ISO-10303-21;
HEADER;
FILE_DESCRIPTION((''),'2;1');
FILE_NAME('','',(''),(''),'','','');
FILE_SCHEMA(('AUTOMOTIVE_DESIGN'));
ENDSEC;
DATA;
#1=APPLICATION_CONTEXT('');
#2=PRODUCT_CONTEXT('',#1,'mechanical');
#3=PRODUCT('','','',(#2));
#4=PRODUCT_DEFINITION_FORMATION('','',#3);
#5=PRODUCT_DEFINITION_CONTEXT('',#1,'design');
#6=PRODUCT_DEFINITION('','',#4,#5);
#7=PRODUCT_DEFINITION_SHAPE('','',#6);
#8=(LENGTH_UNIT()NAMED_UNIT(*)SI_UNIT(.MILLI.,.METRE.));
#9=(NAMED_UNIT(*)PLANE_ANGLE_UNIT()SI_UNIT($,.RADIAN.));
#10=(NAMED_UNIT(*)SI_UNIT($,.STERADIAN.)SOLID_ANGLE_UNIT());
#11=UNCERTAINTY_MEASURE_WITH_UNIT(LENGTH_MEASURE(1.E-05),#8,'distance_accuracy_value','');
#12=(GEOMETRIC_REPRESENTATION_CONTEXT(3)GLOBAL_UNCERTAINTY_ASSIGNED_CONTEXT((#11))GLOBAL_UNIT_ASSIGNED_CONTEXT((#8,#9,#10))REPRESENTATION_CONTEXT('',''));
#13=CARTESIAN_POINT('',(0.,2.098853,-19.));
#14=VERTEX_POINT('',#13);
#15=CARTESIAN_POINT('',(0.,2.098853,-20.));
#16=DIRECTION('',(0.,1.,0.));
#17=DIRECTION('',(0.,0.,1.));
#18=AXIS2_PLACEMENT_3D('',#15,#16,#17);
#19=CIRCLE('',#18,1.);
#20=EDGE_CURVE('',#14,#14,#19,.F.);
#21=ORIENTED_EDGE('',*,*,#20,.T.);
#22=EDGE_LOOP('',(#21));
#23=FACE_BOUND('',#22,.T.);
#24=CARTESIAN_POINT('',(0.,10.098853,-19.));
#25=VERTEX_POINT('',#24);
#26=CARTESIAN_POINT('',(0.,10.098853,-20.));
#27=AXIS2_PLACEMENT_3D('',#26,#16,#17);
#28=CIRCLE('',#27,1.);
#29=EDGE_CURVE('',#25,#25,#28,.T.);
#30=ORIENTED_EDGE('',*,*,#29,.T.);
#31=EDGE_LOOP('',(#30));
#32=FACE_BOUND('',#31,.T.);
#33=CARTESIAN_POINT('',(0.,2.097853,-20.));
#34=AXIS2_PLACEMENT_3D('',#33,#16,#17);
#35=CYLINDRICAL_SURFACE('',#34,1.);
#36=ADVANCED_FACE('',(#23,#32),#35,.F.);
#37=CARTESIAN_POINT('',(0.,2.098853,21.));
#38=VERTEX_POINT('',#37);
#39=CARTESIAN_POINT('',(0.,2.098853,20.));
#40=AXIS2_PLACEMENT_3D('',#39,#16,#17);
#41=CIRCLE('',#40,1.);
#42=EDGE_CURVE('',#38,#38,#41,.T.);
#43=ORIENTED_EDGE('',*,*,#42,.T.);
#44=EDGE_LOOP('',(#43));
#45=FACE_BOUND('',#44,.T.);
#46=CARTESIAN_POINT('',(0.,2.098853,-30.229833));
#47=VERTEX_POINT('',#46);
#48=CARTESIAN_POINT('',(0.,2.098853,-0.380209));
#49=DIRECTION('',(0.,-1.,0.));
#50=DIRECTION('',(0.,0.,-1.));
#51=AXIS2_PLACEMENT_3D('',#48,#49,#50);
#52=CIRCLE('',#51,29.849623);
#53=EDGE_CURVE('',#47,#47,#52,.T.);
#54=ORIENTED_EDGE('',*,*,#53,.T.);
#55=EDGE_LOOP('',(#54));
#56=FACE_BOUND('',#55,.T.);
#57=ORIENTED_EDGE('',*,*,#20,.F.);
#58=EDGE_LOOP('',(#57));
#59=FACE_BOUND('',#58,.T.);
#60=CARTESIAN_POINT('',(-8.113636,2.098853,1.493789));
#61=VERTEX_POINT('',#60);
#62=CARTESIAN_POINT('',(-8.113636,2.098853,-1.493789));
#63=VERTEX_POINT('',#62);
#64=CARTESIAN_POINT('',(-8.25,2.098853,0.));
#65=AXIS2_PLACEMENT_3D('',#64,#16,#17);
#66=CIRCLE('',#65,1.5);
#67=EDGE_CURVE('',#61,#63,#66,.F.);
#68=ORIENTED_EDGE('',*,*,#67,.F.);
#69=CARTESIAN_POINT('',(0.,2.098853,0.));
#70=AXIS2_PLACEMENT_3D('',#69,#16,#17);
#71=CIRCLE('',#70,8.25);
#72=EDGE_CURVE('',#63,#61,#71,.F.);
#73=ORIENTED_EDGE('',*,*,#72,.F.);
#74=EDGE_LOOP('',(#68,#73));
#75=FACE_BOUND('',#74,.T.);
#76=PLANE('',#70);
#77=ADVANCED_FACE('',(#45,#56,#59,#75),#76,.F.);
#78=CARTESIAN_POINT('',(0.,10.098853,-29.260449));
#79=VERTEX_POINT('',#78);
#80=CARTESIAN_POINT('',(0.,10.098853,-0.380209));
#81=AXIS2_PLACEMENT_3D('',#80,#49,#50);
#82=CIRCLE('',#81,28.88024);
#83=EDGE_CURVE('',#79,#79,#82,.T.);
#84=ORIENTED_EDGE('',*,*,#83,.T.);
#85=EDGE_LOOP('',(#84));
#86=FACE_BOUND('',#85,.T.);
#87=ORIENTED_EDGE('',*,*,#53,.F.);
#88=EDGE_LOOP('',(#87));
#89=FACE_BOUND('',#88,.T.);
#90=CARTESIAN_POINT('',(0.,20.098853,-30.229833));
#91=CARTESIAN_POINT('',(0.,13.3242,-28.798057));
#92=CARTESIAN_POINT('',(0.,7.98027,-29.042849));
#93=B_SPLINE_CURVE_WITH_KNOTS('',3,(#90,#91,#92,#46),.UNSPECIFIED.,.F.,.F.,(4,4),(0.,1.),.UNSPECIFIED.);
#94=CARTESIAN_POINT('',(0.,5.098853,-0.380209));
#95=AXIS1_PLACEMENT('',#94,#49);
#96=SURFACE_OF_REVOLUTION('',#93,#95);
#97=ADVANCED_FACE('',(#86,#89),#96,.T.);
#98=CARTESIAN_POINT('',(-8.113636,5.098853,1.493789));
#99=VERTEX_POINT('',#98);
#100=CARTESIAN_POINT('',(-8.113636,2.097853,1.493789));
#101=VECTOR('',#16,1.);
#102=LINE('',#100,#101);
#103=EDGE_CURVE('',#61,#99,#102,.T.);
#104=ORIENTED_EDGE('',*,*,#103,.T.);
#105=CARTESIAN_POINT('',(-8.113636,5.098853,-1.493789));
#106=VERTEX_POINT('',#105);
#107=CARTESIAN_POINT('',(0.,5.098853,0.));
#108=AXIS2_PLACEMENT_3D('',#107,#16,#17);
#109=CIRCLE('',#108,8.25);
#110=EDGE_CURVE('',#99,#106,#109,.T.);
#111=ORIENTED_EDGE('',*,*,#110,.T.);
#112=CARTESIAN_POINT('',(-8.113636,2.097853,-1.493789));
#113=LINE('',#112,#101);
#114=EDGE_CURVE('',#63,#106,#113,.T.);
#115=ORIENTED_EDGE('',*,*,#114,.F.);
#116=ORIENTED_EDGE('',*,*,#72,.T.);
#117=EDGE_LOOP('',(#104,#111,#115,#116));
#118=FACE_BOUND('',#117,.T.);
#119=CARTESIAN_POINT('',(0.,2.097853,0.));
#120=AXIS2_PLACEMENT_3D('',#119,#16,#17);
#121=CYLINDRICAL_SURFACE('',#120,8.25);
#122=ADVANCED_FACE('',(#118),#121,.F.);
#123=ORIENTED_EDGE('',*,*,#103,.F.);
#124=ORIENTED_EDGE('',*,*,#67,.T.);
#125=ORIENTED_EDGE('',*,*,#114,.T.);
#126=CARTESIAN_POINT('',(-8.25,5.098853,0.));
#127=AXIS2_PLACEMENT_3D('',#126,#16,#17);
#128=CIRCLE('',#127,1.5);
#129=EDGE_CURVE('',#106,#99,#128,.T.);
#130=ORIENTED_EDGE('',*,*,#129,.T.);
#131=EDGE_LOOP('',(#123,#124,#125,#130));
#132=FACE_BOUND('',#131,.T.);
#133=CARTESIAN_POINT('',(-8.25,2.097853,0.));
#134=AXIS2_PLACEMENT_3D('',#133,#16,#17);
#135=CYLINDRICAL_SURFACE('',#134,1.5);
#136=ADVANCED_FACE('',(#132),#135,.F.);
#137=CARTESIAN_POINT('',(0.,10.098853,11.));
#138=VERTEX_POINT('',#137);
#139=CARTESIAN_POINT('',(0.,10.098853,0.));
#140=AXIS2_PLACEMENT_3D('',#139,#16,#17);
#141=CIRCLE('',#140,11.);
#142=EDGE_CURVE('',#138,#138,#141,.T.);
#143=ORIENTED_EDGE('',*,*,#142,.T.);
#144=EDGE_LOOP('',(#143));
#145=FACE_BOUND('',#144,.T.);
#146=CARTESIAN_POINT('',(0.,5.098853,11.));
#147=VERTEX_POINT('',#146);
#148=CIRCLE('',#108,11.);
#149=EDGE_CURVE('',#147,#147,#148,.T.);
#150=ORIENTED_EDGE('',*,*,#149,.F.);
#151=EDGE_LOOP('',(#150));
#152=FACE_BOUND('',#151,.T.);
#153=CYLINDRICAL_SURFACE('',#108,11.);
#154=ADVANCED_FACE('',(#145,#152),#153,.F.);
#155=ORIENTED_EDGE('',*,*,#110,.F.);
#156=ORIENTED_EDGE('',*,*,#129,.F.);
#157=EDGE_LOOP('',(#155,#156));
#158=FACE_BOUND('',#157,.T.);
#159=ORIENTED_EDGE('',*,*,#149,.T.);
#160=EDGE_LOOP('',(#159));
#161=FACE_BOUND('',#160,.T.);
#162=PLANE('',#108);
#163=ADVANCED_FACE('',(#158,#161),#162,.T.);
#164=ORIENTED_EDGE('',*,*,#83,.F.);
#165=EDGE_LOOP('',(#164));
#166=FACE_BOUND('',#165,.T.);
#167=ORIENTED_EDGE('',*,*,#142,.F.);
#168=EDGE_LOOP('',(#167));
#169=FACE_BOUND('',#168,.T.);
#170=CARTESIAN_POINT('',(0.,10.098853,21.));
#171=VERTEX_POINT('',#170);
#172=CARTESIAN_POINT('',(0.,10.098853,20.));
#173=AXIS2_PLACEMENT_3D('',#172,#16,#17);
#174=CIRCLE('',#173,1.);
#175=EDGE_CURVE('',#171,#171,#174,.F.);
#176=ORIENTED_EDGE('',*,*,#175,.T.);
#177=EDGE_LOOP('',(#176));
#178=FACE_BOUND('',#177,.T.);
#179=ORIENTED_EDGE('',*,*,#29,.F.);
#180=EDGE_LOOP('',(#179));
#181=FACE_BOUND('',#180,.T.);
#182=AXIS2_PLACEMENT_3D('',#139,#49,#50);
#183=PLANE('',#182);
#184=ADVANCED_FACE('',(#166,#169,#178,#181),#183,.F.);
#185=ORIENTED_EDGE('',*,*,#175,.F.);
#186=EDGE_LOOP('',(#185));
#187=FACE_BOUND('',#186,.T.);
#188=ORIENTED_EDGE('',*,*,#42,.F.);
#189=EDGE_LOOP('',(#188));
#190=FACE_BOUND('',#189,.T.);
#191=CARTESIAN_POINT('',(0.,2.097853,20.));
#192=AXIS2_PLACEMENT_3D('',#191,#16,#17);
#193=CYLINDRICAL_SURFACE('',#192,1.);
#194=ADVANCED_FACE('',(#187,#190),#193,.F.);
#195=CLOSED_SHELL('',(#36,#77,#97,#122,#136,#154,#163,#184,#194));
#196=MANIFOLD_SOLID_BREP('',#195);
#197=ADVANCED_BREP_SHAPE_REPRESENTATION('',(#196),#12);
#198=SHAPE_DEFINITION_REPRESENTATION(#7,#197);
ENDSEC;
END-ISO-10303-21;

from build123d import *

# Parameters (mm, degrees)
SCHNITT_LINEAR_AUSTRAGEN3_REACH = 45.23
SKIZZE3_R                       = 1
SCHNITT_LINEAR_AUSTRAGEN4_REACH = 45.23
SKIZZE3_4_R                     = 11
SCHNITT_LINEAR_AUSTRAGEN5_DEPTH = 5
SCHNITT_LINEAR_AUSTRAGEN6_REACH = 45.23
SKIZZE3_5_R                     = 1.5


with BuildPart() as part:
    # Skizze1 → Rotation2 (revolve)
    with BuildSketch(Plane(origin=(0, 0, 0), x_dir=(0, 0, -1), z_dir=(1, 0, 0))):
        with BuildLine():
            Line((0.380209453, 2.098852641), (30.229832566, 2.098852641))
            add(Edge.make_bspline(
                [(29.260449341, 10.098852641), (29.33429968, 7.417548621), (29.681552607, 4.815540148), (30.229832566, 2.098852641)],
                knots=[0.538089657, 0.538089657, 0.538089657, 0.538089657, 1, 1, 1, 1], degree=3))
            Line((29.260449341, 10.098852641), (0.380209453, 10.098852641))
            Line((0.380209453, 10.098852641), (0.380209453, 5.098852641))
            Line((0.380209453, 5.098852641), (0.380209453, 2.098852641))
        make_face()
    revolve(axis=Axis((0, 5.098852641, -0.380209453), (0, 1, 0)))

    # Skizze3 → Schnitt-Linear austragen3 (cut, up to next)
    with BuildSketch(Plane(origin=(0, 10.098852641, 0), x_dir=(1, 0, 0), z_dir=(0, 1, 0)), mode=Mode.PRIVATE) as schnitt_linear_austragen3_sk1:
        with Locations((0, 20)):
            Circle(SKIZZE3_R)
    schnitt_linear_austragen3_tool1 = extrude(schnitt_linear_austragen3_sk1.sketch, amount=-SCHNITT_LINEAR_AUSTRAGEN3_REACH, mode=Mode.PRIVATE) & part.part
    # Skizze3 → Schnitt-Linear austragen3 (cut, up to next)
    with BuildSketch(Plane(origin=(0, 10.098852641, 0), x_dir=(1, 0, 0), z_dir=(0, 1, 0)), mode=Mode.PRIVATE) as schnitt_linear_austragen3_sk2:
        with Locations((0, -20)):
            Circle(SKIZZE3_R)
    schnitt_linear_austragen3_tool2 = extrude(schnitt_linear_austragen3_sk2.sketch, amount=-SCHNITT_LINEAR_AUSTRAGEN3_REACH, mode=Mode.PRIVATE) & part.part
    add(schnitt_linear_austragen3_tool1.solids().sort_by_distance((0, 10.098853, -20))[0], mode=Mode.SUBTRACT)
    add(schnitt_linear_austragen3_tool2.solids().sort_by_distance((0, 10.098853, 20))[0], mode=Mode.SUBTRACT)

    # Skizze3<3> → Schnitt-Linear austragen4 (cut, up to next)
    with BuildSketch(Plane(origin=(0, 10.098852641, 0), x_dir=(1, 0, 0), z_dir=(0, 1, 0)), mode=Mode.PRIVATE) as schnitt_linear_austragen4_sk1:
        with BuildLine():
            ThreePointArc((-8.113636364, -1.493788793), (8.25, 0), (-8.113636364, 1.493788793))
            ThreePointArc((-8.113636364, 1.493788793), (-6.75, 0), (-8.113636364, -1.493788793))
        make_face()
    schnitt_linear_austragen4_tool1 = extrude(schnitt_linear_austragen4_sk1.sketch, amount=-SCHNITT_LINEAR_AUSTRAGEN4_REACH, mode=Mode.PRIVATE) & part.part
    add(schnitt_linear_austragen4_tool1.solids().sort_by_distance((0.122549, 10.098853, 0))[0], mode=Mode.SUBTRACT)

    # Skizze3<4> → Schnitt-Linear austragen5 (cut)
    with BuildSketch(Plane(origin=(0, 10.098852641, 0), x_dir=(1, 0, 0), z_dir=(0, 1, 0))):
        Circle(SKIZZE3_4_R)
        with BuildLine():
            ThreePointArc((-8.113636364, -1.493788793), (-9.75, 0), (-8.113636364, 1.493788793))
            ThreePointArc((-8.113636364, 1.493788793), (8.25, 0), (-8.113636364, -1.493788793))
        make_face(mode=Mode.SUBTRACT)
    extrude(amount=-SCHNITT_LINEAR_AUSTRAGEN5_DEPTH, mode=Mode.SUBTRACT)

    # Skizze3<5> → Schnitt-Linear austragen6 (cut, up to next)
    with BuildSketch(Plane(origin=(0, 10.098852641, 0), x_dir=(1, 0, 0), z_dir=(0, 1, 0)), mode=Mode.PRIVATE) as schnitt_linear_austragen6_sk1:
        with Locations((-8.25, 0)):
            Circle(SKIZZE3_5_R)
    schnitt_linear_austragen6_tool1 = extrude(schnitt_linear_austragen6_sk1.sketch, amount=-SCHNITT_LINEAR_AUSTRAGEN6_REACH, mode=Mode.PRIVATE) & part.part
    add(schnitt_linear_austragen6_tool1.solids().sort_by_distance((-8.25, 10.098853, 0))[0], mode=Mode.SUBTRACT)


solid = part.part
